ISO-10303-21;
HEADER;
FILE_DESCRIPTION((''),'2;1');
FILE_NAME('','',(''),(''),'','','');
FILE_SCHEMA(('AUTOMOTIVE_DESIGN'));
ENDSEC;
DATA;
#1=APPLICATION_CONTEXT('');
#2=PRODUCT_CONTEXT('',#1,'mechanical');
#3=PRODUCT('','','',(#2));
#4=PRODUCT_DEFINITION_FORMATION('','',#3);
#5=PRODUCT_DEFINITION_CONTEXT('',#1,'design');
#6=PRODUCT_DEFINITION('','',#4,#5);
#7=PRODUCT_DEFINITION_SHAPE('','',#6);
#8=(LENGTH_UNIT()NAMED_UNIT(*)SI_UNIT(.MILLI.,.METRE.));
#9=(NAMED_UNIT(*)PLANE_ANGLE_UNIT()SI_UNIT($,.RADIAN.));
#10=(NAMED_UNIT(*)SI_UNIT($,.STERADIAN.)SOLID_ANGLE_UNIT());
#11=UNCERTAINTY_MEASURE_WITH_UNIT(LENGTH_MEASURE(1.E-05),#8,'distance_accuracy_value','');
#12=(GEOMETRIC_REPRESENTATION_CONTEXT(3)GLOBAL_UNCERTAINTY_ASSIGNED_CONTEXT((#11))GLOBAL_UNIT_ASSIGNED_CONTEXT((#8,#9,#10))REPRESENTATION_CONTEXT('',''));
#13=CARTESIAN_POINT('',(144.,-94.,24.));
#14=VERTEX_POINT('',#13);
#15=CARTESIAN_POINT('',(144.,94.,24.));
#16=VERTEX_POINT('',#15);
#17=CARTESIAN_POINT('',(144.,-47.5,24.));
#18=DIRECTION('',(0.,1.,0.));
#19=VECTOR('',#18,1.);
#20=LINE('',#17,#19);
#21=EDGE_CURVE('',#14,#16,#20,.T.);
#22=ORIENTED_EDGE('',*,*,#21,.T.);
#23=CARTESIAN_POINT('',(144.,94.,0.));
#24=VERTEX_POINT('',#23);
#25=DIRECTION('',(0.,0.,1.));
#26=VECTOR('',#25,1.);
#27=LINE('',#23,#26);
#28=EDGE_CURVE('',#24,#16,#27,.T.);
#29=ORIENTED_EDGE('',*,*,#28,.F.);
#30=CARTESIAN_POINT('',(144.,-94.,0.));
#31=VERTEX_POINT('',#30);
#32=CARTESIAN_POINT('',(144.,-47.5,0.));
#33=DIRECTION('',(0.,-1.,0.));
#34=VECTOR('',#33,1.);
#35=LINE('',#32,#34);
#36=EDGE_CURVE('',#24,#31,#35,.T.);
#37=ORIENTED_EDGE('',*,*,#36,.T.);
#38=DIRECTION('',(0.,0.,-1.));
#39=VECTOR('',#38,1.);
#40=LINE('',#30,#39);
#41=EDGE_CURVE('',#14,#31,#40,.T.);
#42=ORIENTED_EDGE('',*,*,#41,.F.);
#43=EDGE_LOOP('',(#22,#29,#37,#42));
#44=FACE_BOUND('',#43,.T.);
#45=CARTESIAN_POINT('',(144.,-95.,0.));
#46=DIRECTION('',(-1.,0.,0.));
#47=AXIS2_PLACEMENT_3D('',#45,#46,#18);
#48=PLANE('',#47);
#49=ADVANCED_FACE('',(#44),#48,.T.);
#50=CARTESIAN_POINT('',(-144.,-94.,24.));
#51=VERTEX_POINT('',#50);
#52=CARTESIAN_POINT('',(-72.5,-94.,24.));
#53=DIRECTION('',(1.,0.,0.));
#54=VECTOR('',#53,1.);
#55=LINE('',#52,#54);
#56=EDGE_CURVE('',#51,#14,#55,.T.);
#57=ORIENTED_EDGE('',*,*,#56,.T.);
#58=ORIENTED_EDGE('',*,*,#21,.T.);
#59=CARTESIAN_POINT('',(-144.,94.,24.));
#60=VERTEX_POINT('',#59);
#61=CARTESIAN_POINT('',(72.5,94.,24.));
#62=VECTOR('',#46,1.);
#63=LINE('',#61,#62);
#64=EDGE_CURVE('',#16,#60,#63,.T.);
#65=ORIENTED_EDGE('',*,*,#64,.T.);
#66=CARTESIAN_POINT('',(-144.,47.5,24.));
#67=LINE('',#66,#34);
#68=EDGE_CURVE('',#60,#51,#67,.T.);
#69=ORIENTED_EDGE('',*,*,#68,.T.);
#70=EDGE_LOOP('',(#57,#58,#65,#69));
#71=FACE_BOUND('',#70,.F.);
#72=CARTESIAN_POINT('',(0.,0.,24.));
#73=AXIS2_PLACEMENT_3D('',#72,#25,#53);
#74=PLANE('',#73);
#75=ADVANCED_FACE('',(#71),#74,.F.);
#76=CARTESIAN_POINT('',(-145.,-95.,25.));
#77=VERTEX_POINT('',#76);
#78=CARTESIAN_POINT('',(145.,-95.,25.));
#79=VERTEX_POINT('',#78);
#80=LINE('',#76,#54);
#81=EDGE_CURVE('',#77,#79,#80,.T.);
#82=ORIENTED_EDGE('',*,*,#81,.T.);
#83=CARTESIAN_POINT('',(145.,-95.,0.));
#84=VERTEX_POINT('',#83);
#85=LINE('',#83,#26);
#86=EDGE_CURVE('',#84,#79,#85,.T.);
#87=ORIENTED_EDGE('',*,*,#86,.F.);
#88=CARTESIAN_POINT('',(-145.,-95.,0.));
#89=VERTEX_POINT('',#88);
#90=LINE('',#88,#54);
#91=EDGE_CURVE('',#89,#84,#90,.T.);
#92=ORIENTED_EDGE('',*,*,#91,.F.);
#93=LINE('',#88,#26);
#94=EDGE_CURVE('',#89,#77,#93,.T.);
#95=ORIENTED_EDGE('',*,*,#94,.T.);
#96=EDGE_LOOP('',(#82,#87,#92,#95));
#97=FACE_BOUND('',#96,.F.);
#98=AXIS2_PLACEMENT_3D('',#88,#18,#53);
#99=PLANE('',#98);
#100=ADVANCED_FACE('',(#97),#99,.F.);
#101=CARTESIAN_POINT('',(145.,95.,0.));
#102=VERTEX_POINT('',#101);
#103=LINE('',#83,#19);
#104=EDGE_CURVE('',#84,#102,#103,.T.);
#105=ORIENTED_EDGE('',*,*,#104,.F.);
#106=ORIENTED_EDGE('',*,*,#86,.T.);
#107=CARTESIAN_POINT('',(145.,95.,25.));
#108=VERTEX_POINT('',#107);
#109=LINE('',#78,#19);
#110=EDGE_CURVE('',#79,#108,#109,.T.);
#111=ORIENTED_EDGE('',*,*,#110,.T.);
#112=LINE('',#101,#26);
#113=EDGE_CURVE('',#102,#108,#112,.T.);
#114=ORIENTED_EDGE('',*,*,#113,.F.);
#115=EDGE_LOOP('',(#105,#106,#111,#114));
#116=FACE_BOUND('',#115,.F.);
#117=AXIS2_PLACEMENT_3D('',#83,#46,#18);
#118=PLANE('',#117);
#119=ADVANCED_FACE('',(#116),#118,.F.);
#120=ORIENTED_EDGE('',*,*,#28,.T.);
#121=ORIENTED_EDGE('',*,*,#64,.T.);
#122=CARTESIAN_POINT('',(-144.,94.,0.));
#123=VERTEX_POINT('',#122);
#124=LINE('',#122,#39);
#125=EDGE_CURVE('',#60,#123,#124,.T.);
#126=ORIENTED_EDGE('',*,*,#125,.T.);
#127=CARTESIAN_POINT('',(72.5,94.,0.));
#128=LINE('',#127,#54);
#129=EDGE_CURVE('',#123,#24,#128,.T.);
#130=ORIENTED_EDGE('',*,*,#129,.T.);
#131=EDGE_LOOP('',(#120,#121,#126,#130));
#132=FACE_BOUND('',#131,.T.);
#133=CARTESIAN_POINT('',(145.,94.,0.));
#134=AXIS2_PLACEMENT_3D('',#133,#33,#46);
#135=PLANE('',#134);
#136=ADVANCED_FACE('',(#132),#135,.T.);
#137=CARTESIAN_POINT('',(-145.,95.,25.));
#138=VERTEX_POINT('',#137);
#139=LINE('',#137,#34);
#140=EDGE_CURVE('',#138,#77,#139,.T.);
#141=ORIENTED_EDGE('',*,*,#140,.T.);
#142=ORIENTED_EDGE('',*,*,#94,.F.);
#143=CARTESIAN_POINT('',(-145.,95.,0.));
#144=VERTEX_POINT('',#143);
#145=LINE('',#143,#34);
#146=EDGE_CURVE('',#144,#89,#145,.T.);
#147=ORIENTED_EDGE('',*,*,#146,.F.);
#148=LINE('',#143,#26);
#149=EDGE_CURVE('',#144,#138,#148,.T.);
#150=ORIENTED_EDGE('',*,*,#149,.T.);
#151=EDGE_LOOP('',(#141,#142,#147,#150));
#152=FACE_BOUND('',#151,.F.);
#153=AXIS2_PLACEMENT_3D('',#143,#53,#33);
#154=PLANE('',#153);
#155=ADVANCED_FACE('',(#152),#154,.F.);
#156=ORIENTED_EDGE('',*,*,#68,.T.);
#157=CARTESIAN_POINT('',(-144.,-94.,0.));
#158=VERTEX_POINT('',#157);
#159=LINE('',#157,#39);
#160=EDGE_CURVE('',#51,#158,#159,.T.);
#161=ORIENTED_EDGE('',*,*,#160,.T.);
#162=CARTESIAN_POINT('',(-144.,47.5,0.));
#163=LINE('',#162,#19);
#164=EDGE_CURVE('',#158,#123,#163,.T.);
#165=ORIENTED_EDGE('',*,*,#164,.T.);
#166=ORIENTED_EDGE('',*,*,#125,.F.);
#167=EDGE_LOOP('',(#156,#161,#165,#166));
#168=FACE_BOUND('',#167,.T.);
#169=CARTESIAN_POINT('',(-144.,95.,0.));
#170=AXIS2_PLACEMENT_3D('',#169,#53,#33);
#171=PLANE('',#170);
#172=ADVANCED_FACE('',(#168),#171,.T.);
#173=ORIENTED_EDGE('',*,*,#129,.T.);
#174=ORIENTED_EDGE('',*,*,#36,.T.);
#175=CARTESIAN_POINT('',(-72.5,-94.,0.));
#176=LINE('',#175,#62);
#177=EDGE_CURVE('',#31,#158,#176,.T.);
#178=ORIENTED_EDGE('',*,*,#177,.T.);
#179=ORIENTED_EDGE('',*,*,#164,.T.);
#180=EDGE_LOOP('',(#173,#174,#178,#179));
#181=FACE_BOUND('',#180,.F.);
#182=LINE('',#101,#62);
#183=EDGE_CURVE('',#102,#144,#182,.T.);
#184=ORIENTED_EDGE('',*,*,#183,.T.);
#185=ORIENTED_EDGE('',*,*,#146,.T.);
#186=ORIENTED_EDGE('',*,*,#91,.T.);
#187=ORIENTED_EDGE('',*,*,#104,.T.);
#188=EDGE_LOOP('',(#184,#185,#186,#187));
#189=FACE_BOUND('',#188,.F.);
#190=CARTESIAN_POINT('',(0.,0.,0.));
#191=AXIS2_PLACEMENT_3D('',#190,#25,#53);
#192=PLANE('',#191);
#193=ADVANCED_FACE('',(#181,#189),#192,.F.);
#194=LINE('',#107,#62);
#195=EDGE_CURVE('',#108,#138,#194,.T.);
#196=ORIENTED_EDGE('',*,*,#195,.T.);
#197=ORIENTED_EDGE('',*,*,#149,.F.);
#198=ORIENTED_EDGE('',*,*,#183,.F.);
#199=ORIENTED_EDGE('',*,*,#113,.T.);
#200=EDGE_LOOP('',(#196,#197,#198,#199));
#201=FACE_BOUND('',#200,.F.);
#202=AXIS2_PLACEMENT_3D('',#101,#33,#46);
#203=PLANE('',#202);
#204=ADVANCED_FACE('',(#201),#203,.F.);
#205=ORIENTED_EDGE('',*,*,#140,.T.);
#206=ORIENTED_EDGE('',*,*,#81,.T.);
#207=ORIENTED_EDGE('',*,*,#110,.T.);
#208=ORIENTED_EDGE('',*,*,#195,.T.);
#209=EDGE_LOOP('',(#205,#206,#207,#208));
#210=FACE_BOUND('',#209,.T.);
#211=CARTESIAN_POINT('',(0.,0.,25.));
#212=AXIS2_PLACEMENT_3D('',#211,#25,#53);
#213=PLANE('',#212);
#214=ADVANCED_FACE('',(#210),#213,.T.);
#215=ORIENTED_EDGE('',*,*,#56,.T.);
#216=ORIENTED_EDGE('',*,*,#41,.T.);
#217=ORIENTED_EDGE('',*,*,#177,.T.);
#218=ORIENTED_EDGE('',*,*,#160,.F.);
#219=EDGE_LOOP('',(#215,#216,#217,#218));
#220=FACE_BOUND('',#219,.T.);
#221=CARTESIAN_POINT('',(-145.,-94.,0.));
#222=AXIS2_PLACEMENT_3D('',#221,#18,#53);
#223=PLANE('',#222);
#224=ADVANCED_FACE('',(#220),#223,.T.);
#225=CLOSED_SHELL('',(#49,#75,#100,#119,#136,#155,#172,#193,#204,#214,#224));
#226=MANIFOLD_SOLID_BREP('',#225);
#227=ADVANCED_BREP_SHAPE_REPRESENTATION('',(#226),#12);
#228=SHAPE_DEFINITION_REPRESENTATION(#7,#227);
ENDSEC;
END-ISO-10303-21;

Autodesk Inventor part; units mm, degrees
ref_plane "YZ Plane" through (0, 0, 0) normal (1, 0, 0) x (0, 1, 0)
ref_plane "XZ Plane" through (0, 0, 0) normal (0, 1, 0) x (-1, 0, 0)
ref_plane "XY Plane" through (0, 0, 0) normal (0, 0, 1) x (1, 0, 0)
sketch "Sketch1" plane through (0, 0, 0) normal (0, 0, 1) x (1, 0, 0)
  line L0 (145, 95) -> (-145, 95)
  line L1 (-145, 95) -> (-145, -95)
  line L2 (-145, -95) -> (145, -95)
  line L3 (145, -95) -> (145, 95)
  line L4 (145, 95) -> (-145, -95) construction
  line L5 (-145, 95) -> (145, -95) construction
  point P0 (0, 0)
  dimension "d0" = 290
  dimension "d1" = 190
extrude "Extrusion1" add sketch "Sketch1" along normal blind 25
shell "Shell1" thickness 1 removed faces 1 at (-48.3333, -31.6667, 0)
properties part number "tray" material "PVC, Unplasticized"
